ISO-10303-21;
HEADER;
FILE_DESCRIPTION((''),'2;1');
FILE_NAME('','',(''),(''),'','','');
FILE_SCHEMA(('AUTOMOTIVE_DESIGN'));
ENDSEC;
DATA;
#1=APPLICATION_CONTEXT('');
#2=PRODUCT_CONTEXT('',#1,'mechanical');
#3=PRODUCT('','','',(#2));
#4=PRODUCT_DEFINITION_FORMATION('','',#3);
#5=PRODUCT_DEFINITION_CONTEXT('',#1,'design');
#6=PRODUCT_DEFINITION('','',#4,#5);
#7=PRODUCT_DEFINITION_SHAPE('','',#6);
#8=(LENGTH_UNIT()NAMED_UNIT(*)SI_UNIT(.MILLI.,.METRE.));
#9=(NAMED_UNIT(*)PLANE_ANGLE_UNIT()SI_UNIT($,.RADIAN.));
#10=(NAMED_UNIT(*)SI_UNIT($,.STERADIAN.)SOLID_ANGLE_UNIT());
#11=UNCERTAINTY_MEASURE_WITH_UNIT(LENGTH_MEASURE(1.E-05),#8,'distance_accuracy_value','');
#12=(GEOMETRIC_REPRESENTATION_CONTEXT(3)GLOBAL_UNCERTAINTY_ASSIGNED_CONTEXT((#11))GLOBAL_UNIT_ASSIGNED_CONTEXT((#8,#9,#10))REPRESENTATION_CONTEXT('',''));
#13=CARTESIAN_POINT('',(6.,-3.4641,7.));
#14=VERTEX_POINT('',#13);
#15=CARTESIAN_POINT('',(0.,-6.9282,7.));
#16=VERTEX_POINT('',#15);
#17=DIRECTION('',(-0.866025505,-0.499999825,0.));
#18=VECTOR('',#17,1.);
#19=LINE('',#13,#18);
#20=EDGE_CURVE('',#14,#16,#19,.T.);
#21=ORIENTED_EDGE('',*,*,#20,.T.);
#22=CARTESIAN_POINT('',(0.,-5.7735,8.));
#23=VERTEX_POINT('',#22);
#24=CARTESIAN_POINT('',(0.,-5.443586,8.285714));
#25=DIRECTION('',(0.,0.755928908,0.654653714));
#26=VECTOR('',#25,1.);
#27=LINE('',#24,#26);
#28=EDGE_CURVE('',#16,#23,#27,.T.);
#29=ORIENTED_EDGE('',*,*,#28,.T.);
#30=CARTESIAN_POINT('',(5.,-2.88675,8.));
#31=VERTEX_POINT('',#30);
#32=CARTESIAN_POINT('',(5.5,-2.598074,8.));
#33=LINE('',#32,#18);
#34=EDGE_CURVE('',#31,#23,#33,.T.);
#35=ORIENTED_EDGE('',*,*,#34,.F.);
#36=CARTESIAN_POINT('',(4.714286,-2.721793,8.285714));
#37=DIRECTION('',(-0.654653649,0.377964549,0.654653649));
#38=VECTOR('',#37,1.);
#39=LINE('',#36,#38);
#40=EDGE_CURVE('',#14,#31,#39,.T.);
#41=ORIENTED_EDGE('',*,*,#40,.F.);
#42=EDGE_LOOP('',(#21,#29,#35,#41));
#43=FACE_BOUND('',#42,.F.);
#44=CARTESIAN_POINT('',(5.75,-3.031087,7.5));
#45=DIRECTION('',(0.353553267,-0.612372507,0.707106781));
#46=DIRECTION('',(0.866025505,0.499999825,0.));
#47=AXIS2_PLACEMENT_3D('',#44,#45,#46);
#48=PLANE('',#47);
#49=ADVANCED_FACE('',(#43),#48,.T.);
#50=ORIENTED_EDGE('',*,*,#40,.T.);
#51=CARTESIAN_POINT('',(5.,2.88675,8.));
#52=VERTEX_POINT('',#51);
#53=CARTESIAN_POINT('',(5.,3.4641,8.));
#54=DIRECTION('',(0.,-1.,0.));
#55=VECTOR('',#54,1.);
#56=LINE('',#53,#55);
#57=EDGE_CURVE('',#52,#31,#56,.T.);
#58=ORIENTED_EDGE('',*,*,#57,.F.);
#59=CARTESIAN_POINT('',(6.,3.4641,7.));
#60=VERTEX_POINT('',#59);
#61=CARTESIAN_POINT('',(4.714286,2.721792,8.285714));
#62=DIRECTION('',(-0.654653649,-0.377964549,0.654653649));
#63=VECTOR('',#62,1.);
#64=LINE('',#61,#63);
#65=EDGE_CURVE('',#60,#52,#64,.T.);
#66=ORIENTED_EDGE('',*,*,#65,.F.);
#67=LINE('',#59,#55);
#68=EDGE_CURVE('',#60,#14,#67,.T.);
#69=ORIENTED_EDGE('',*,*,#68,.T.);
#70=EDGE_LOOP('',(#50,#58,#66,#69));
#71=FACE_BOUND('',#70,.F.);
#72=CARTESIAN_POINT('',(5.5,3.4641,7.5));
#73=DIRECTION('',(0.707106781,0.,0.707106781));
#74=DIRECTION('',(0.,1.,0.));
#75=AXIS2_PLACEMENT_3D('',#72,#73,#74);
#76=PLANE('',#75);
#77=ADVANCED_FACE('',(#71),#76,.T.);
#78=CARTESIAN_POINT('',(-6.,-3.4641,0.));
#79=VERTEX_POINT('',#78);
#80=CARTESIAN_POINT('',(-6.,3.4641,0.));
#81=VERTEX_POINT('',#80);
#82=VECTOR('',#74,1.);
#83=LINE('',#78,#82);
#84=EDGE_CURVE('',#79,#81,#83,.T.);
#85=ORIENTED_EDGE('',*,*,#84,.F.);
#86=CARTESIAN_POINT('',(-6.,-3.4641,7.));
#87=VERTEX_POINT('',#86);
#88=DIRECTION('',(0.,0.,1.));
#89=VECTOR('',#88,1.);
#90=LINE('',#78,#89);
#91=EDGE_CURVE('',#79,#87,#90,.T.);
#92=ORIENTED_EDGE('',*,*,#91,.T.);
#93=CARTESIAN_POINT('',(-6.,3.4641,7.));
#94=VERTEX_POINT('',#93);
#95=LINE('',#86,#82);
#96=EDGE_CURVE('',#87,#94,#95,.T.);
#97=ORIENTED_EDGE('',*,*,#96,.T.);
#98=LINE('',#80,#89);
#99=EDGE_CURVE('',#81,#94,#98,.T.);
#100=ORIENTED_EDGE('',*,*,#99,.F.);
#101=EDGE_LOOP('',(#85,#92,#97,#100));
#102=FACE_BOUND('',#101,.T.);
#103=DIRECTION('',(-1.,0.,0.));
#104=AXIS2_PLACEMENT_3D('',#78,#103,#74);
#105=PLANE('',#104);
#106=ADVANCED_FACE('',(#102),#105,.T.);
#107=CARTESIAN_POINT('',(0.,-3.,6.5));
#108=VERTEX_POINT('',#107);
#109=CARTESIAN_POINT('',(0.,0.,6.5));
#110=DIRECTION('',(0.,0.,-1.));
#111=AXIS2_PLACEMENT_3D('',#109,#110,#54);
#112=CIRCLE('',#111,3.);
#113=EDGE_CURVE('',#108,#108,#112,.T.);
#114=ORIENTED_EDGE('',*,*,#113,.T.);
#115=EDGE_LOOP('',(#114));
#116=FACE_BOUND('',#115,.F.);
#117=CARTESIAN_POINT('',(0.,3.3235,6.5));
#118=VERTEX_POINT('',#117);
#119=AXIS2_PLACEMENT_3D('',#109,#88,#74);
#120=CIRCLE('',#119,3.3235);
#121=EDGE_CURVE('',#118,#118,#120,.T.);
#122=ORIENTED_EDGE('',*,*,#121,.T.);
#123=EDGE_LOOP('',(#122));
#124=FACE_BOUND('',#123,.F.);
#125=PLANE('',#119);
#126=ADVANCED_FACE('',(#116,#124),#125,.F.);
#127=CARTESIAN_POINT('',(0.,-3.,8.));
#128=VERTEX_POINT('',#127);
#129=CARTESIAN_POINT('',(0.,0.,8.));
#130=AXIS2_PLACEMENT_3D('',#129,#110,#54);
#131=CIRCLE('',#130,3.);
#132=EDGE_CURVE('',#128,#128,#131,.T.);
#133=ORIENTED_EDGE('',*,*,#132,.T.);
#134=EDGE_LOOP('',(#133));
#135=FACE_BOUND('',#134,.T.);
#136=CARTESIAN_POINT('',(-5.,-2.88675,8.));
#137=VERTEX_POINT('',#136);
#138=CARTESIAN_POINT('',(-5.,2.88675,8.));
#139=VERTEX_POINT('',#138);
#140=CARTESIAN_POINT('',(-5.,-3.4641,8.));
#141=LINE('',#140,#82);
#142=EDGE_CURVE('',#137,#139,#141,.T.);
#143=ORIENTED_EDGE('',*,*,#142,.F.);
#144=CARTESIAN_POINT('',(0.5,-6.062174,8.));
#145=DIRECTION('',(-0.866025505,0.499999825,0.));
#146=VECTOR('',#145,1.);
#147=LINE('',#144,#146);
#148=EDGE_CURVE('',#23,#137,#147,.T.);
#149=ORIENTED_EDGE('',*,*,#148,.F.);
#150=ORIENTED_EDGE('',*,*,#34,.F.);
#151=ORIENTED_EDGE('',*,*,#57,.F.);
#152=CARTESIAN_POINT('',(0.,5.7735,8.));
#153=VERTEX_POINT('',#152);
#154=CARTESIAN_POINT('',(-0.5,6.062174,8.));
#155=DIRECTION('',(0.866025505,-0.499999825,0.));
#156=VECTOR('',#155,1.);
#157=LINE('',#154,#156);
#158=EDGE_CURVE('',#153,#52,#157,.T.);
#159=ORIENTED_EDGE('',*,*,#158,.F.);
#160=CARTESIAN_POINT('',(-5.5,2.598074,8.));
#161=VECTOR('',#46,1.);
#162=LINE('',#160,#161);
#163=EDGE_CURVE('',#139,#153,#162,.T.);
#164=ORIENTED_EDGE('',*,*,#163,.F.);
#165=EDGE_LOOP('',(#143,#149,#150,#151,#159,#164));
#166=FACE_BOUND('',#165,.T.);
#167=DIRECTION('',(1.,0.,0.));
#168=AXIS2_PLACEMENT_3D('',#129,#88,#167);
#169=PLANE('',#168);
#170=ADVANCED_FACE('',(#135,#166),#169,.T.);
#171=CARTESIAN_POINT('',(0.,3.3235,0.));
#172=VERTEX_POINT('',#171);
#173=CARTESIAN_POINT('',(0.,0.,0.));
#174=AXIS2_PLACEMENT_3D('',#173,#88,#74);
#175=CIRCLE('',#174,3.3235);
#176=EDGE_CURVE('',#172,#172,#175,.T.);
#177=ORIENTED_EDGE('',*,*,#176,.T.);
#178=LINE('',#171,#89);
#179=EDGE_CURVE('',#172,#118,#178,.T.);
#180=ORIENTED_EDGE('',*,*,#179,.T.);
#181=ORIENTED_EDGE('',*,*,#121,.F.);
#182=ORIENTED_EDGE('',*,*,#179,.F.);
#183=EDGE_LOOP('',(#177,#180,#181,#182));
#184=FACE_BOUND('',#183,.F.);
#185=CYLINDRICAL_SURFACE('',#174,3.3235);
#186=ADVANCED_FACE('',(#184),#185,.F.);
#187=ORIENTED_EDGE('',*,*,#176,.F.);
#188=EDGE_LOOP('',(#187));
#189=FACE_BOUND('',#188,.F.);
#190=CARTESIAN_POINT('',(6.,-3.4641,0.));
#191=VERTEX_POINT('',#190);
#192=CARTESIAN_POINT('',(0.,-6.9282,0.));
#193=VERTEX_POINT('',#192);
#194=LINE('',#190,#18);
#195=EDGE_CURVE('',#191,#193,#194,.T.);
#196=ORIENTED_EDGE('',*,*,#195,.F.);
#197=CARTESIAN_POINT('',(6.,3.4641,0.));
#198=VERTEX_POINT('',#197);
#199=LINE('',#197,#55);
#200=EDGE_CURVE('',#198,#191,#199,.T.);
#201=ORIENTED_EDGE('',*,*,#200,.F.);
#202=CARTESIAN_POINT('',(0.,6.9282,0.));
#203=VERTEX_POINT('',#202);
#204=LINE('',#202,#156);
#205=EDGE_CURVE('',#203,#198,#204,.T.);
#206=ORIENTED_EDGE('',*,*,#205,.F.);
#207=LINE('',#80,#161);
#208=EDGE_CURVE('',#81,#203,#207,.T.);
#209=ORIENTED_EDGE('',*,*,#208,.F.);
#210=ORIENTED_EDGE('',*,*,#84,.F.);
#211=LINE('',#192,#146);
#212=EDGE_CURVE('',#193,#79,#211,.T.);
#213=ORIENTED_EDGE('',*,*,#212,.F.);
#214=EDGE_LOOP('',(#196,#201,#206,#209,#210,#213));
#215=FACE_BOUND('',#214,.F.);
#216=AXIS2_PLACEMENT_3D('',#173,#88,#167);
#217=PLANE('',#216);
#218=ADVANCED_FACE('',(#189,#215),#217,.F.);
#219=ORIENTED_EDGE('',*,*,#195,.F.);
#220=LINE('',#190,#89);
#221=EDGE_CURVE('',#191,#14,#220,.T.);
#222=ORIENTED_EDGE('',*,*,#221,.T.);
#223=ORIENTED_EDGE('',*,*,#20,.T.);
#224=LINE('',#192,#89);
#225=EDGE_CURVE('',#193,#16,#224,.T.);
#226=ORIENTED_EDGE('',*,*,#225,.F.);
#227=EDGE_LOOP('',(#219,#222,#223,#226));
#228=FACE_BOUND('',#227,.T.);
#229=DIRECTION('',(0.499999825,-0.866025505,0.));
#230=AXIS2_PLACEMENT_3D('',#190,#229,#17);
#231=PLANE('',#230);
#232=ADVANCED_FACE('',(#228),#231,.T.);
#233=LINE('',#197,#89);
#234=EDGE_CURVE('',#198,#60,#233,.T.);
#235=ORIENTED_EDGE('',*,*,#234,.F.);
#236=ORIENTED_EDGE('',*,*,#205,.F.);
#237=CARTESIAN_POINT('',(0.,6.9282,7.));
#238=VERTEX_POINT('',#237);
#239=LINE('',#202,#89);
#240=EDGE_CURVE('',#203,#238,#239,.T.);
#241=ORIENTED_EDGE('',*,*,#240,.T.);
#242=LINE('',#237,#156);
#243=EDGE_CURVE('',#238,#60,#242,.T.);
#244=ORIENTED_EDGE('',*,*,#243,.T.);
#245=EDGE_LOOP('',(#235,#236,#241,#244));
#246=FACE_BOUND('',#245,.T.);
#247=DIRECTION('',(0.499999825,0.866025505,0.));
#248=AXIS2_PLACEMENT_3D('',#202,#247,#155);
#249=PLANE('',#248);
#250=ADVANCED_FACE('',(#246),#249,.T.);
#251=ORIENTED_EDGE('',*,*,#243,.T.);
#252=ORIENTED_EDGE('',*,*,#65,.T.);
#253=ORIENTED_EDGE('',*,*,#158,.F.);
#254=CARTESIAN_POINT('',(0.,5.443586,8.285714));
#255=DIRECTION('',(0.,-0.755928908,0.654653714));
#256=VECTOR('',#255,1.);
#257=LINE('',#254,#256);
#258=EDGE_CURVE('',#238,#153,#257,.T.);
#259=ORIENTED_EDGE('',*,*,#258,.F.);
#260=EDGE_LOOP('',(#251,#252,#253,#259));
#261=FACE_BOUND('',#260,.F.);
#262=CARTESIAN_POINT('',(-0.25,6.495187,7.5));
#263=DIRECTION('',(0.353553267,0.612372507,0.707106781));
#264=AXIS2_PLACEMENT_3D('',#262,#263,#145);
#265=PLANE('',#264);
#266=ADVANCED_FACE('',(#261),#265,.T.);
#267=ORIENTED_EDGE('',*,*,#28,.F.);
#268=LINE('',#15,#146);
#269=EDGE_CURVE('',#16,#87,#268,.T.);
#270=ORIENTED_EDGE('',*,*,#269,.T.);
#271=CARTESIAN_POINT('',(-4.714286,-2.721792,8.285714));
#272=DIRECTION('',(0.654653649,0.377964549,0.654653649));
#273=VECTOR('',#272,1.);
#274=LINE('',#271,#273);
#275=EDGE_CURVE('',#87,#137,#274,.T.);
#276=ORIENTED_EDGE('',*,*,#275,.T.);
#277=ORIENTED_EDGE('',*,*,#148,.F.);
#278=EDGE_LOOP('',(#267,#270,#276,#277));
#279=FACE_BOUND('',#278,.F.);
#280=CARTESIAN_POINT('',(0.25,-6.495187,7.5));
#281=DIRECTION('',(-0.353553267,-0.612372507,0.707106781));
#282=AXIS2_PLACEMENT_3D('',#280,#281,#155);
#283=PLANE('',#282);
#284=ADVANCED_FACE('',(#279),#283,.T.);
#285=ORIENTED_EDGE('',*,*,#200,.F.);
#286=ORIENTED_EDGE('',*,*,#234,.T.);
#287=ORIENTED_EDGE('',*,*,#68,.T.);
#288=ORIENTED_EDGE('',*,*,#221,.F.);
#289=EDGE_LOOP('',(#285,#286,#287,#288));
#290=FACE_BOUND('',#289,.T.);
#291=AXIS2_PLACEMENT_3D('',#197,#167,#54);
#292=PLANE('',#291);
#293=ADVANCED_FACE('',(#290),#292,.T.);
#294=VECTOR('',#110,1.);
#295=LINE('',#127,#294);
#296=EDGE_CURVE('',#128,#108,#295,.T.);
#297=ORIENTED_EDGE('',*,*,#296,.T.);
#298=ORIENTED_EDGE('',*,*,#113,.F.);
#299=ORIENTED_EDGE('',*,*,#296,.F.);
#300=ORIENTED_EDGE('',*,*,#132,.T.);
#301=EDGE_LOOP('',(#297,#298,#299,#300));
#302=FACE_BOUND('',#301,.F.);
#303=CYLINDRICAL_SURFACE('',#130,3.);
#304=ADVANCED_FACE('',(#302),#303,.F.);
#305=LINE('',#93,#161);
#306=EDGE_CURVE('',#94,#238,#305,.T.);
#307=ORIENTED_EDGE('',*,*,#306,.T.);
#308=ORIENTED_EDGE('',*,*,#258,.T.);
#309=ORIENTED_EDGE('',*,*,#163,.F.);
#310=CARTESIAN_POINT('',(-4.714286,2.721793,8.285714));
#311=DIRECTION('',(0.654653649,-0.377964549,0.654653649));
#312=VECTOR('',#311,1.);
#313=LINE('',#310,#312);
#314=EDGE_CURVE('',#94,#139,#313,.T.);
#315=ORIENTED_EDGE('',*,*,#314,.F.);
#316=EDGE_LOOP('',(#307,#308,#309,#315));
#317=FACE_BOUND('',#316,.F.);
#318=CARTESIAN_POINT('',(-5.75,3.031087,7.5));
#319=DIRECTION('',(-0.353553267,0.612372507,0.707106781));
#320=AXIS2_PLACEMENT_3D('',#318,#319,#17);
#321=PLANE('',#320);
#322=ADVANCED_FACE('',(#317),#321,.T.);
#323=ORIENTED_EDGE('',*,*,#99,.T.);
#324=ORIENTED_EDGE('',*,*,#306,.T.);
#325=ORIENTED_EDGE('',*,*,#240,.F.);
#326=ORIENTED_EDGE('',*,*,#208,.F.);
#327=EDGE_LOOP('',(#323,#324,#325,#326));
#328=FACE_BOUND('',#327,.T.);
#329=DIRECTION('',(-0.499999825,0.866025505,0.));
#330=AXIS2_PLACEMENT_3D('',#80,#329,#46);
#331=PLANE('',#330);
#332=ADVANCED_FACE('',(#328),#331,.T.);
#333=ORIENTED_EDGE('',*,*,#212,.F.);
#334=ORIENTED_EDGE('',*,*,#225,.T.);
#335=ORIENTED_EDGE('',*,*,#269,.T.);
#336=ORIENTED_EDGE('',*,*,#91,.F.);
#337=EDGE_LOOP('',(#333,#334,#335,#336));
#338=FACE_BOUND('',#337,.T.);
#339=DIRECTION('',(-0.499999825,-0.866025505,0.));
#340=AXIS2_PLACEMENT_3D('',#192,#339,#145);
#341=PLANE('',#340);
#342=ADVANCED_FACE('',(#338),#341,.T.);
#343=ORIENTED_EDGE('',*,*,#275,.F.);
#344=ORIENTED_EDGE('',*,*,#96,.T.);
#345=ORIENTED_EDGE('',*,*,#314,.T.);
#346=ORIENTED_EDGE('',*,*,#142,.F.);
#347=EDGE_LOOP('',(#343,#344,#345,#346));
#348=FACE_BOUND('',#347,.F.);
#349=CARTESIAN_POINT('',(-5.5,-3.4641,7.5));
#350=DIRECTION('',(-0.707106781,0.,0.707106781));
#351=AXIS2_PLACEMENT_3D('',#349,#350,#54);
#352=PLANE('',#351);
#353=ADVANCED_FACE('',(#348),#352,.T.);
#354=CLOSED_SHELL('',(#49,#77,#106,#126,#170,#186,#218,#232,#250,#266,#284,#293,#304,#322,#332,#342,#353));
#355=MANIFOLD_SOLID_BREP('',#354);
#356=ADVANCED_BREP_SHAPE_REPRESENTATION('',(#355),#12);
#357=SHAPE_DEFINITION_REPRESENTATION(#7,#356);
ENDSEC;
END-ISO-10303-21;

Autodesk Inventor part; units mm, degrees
ref_plane "YZ Plane" through (0, 0, 0) normal (1, 0, 0) x (0, 1, 0)
ref_plane "XZ Plane" through (0, 0, 0) normal (0, 1, 0) x (-1, 0, 0)
ref_plane "XY Plane" through (0, 0, 0) normal (0, 0, 1) x (1, 0, 0)
sketch "Sketch1" plane through (0, 0, 0) normal (0, 0, 1) x (1, 0, 0)
  line L0 (0, 6.9282) -> (6, 3.4641)
  line L1 (6, 3.4641) -> (6, -3.4641)
  line L2 (6, -3.4641) -> (0, -6.9282)
  line L3 (0, -6.9282) -> (-6, -3.4641)
  line L4 (-6, -3.4641) -> (-6, 3.4641)
  line L5 (-6, 3.4641) -> (0, 6.9282)
  point P0 (0, 0)
  point P1 (0, 0)
  point P2 (-6, 0)
  dimension "d0" = 12
extrude "Extrusion1" add sketch "Sketch1" along normal blind 8
chamfer "Chamfer1" distance 1 angle 45 6 edges at (-3, 5.1962, 8) (3, 5.1962, 8) (6, 0, 8) (3, -5.1962, 8) (-3, -5.1962, 8) (-6, 0, 8)
sketch "Sketch2" plane through (0, 0, 8) normal (0, 0, 1) x (1, 0, 0)
  point P0 (0, 0)
  point P1 (0, 0)
hole "Hole1" at (0, 0, 8) direction (0, 0, -1) diameter 6 depth 1.5
sketch "Sketch3" plane through (0, 0, 0) normal (0, 0, -1) x (-1, 0, 0)
  point P0 (0, 0)
  point P1 (0, 0)
hole "Hole2" at (0, 0, 0) direction (0, 0, 1) diameter 6.647 depth 6.5 thread size "M8x1.25" class "6H" standard "ISO Metric profile"
properties part number "50" material "Steel, Alloy"
